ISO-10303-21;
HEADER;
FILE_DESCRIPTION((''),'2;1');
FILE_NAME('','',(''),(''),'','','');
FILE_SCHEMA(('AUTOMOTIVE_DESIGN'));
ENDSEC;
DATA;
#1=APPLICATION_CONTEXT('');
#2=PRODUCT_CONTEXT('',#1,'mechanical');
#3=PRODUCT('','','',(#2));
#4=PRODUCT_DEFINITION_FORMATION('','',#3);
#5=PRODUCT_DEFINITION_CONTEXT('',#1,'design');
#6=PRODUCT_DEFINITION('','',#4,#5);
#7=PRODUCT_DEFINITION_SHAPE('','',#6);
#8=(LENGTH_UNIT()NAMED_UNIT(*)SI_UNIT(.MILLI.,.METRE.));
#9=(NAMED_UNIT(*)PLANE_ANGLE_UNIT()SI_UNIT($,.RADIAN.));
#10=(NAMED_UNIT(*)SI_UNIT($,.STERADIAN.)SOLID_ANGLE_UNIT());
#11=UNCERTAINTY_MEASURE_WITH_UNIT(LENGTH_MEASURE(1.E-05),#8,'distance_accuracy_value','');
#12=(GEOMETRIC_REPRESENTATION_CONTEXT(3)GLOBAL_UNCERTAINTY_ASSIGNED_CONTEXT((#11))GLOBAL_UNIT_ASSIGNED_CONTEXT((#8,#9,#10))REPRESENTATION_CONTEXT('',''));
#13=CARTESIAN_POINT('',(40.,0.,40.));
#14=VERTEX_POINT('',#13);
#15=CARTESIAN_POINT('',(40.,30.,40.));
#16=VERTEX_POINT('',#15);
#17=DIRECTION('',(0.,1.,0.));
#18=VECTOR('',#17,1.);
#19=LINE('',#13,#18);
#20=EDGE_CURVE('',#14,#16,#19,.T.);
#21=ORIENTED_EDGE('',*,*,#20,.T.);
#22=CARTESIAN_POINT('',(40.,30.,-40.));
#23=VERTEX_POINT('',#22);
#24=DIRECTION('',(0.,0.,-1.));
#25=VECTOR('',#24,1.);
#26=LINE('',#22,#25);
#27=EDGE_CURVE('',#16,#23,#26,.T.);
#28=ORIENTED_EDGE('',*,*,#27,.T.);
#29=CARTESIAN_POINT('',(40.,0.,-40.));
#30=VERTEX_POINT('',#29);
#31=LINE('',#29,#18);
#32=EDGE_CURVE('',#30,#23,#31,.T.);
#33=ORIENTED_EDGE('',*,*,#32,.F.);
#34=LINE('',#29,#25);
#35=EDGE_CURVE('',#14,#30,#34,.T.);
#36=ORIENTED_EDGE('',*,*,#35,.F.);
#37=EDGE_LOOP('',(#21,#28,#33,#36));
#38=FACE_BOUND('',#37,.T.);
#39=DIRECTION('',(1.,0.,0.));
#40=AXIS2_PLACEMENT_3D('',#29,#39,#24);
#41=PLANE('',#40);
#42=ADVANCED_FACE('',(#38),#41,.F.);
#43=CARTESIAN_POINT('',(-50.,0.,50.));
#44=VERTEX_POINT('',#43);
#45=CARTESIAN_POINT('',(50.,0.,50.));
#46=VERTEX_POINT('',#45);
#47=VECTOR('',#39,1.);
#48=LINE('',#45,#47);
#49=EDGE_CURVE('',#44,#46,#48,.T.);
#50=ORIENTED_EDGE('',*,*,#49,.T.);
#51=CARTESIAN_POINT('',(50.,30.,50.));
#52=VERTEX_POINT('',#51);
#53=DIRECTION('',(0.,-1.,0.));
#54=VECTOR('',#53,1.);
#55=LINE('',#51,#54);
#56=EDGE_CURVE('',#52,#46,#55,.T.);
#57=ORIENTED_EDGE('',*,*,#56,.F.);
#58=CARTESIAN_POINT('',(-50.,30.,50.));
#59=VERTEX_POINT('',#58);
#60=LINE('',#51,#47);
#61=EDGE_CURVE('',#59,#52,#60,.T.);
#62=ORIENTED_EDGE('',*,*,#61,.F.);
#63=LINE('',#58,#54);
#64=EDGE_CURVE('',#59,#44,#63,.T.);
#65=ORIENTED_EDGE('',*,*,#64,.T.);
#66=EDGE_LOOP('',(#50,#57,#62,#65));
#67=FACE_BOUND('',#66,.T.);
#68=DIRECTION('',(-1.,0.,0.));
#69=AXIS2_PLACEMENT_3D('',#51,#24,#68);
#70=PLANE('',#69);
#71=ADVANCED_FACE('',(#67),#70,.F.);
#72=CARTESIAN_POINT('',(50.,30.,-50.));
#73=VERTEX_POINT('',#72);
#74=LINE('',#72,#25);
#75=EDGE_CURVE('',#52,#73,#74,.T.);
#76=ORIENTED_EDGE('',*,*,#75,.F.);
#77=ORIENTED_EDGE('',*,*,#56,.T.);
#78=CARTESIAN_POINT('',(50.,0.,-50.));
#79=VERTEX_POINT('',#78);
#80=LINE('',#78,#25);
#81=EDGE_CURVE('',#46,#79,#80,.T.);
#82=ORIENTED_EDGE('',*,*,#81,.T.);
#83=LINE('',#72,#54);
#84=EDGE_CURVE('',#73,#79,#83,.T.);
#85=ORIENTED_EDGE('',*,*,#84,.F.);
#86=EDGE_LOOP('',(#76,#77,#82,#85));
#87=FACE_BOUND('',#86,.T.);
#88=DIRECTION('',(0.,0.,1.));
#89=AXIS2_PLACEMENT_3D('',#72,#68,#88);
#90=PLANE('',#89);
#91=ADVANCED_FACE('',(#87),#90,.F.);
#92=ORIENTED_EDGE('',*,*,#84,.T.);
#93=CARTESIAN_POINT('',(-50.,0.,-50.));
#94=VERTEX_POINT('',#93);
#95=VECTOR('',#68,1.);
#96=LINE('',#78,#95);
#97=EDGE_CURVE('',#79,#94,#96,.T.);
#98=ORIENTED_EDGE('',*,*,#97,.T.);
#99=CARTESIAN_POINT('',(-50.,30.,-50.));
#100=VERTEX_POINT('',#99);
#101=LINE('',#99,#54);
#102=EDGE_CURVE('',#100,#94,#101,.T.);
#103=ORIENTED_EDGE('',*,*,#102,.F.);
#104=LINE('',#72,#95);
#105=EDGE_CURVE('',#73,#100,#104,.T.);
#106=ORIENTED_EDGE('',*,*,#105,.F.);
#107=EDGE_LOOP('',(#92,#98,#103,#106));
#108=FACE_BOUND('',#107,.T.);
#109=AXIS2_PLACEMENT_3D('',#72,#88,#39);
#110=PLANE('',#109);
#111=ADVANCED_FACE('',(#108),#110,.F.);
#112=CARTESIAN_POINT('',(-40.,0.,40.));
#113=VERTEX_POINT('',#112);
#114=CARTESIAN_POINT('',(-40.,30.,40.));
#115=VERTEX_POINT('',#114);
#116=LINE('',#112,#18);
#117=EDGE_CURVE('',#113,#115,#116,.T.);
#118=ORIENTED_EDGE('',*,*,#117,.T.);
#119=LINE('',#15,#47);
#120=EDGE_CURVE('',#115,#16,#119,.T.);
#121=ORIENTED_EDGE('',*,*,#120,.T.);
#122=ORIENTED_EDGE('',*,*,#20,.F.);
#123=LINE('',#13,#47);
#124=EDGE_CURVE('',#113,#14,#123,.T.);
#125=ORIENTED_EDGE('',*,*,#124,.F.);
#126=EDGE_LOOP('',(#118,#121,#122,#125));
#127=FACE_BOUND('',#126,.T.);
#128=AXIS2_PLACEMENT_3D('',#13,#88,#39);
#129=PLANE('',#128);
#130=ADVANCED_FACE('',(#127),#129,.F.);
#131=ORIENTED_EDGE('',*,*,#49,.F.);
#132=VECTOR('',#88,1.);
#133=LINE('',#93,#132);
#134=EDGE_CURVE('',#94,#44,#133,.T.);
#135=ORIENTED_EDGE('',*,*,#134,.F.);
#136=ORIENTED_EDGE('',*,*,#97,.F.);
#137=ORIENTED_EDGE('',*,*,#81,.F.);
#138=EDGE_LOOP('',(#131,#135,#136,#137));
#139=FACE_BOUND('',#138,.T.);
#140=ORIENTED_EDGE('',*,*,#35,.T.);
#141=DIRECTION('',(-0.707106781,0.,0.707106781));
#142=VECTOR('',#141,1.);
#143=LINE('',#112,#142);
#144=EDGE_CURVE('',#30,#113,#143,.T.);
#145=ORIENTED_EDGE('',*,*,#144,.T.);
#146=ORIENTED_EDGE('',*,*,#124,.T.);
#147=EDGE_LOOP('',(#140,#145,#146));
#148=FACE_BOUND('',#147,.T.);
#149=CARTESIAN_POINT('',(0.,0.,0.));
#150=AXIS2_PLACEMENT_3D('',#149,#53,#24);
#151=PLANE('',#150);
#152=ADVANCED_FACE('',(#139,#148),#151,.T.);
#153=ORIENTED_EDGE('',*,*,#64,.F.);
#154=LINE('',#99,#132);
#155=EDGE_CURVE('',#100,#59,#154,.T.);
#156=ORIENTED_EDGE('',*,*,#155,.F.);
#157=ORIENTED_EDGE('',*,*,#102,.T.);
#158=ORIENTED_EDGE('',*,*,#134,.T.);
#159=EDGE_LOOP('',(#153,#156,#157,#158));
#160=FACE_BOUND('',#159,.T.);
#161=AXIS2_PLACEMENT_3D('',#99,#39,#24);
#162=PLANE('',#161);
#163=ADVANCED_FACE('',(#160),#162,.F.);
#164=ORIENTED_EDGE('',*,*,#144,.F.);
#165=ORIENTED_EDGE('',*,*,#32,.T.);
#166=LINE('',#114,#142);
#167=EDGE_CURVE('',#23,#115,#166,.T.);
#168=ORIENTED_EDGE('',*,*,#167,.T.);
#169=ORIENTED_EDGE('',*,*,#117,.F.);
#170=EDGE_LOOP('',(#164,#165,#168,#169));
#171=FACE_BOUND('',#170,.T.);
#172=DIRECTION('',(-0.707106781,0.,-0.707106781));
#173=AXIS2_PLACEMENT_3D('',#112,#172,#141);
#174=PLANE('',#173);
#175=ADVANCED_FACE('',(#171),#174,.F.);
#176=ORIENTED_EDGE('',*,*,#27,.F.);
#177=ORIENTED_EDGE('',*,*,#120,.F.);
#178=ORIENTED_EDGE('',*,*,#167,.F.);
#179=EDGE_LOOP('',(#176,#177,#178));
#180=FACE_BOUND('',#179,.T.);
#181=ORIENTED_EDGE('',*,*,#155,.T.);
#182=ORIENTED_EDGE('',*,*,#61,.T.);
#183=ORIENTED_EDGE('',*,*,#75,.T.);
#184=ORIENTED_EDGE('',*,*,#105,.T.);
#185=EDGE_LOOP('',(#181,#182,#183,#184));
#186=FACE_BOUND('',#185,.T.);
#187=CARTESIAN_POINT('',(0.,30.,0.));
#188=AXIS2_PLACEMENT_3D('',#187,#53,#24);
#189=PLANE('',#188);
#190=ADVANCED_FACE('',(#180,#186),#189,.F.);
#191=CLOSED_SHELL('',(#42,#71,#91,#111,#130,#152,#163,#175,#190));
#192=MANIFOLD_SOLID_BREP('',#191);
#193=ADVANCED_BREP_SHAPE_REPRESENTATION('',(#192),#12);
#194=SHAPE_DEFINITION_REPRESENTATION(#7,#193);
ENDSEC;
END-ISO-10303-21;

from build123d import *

# Parameters (mm, degrees)
SKETCH1_W           = 100
SKETCH1_H           = 100
BOSS_EXTRUDE1_DEPTH = 30
CUT_EXTRUDE1_DEPTH  = 31


with BuildPart() as part:
    # Sketch1 → Boss-Extrude1 (new body)
    with BuildSketch(Plane(origin=(0, 0, 0), x_dir=(1, 0, 0), z_dir=(0, 1, 0))):
        Rectangle(SKETCH1_W, SKETCH1_H)
    extrude(amount=BOSS_EXTRUDE1_DEPTH)

    # Sketch2 → Cut-Extrude1 (cut, through all)
    with BuildSketch(Plane(origin=(0, 30, 0), x_dir=(1, 0, 0), z_dir=(0, 1, 0))):
        Polygon((40, 40), (40, -40), (-40, -40), align=None)
    extrude(amount=-CUT_EXTRUDE1_DEPTH, mode=Mode.SUBTRACT)


solid = part.part
